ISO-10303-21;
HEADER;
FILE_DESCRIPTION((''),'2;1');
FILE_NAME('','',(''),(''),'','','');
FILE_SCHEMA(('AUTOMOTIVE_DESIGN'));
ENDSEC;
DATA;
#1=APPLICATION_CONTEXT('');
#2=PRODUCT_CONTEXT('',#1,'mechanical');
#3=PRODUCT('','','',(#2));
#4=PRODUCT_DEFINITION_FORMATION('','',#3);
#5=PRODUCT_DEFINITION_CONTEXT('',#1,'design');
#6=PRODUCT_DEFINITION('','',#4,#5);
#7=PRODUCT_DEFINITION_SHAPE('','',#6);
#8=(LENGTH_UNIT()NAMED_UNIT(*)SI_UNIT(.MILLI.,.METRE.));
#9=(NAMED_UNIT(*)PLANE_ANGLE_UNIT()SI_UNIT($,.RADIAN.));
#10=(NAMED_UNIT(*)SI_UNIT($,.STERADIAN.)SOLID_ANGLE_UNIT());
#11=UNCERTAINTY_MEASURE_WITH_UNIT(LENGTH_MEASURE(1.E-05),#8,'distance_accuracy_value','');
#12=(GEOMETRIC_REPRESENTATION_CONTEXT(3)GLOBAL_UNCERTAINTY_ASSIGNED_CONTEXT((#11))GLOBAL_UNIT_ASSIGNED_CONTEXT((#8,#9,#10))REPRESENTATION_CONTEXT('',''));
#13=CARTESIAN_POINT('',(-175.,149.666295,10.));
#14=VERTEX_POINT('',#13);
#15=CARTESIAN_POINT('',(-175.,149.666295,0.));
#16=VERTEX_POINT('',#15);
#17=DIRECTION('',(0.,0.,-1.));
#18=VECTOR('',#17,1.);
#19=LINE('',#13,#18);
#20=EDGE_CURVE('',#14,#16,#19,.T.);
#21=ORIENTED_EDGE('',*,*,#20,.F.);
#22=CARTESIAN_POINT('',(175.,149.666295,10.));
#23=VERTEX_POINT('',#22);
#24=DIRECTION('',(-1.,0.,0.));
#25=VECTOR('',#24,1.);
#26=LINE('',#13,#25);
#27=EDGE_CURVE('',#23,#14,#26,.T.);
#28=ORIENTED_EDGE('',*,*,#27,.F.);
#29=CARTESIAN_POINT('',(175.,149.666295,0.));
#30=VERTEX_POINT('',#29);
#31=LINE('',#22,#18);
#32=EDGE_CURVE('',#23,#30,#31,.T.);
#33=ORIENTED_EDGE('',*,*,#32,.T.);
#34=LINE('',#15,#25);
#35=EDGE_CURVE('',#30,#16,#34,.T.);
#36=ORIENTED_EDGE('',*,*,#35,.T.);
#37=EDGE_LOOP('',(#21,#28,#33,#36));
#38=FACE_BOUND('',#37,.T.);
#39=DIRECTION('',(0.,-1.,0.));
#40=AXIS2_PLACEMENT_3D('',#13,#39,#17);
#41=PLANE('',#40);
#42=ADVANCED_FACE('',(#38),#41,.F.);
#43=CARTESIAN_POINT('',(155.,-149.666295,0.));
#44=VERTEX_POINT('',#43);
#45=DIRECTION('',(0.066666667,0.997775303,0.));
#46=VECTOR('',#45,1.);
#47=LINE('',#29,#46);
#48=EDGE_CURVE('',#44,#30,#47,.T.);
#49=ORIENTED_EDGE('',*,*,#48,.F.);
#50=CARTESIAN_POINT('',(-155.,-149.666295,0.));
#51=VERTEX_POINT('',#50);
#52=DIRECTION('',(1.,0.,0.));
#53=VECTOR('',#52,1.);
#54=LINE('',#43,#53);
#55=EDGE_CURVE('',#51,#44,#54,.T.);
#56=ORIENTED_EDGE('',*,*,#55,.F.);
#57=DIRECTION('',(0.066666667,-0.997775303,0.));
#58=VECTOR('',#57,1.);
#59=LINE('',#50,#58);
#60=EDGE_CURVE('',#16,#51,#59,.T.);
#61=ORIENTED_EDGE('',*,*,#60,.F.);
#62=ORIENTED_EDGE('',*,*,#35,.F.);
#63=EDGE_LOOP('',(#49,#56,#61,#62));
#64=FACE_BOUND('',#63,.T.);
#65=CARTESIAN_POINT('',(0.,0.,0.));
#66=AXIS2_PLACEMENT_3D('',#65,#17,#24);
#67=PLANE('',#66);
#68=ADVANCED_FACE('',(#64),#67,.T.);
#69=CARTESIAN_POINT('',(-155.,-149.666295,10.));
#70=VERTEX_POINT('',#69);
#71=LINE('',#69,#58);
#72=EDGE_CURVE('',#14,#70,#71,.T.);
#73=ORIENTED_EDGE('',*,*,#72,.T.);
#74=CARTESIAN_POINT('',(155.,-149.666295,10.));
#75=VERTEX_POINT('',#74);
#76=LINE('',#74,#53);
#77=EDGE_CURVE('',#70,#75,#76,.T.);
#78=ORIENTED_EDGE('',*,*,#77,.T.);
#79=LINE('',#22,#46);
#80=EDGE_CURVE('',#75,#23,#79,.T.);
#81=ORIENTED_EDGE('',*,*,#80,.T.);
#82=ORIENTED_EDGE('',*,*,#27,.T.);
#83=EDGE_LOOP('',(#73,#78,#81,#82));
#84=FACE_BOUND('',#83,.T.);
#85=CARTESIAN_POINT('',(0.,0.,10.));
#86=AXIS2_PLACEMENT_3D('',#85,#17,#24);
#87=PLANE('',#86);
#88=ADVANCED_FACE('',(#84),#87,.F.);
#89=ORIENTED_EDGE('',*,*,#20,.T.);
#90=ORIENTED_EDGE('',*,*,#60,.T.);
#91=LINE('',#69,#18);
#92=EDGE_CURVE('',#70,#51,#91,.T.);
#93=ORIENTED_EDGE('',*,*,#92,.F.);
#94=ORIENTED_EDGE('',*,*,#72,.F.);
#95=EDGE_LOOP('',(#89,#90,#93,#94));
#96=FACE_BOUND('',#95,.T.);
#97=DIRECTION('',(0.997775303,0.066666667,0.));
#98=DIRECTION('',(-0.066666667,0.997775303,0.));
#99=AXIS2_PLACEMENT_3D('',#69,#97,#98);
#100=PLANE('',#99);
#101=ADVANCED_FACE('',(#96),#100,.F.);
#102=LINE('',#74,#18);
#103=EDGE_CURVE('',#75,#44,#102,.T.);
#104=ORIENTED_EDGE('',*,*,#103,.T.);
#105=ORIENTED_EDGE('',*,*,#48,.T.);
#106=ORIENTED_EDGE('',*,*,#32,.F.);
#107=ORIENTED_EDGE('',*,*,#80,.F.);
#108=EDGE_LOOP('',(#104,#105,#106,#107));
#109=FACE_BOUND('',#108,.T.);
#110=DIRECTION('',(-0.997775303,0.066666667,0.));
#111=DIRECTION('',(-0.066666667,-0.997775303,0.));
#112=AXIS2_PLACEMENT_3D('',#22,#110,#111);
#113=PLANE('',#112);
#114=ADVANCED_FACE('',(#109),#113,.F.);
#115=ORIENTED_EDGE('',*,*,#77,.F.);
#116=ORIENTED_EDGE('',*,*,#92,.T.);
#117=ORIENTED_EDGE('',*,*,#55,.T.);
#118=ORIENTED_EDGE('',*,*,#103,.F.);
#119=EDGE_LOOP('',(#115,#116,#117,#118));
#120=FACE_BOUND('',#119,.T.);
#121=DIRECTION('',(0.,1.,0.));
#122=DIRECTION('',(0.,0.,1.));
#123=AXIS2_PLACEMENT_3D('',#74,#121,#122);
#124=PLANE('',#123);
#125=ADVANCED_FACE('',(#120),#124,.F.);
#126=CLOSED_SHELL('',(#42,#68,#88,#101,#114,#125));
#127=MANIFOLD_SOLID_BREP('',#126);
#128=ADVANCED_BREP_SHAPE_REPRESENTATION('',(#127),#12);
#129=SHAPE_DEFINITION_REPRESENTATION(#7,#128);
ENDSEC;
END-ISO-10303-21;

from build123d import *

# Parameters (mm, degrees)
DODANIE_WYCI_GNI_CIE1_DEPTH = 10


with BuildPart() as part:
    # Szkic1 → Dodanie-wyciągnięcie1 (new body)
    with BuildSketch(Plane.XY):
        Polygon((-175, 149.666295471), (175, 149.666295471), (155, -149.666295471), (-155, -149.666295471), align=None)
    extrude(amount=DODANIE_WYCI_GNI_CIE1_DEPTH)


solid = part.part
